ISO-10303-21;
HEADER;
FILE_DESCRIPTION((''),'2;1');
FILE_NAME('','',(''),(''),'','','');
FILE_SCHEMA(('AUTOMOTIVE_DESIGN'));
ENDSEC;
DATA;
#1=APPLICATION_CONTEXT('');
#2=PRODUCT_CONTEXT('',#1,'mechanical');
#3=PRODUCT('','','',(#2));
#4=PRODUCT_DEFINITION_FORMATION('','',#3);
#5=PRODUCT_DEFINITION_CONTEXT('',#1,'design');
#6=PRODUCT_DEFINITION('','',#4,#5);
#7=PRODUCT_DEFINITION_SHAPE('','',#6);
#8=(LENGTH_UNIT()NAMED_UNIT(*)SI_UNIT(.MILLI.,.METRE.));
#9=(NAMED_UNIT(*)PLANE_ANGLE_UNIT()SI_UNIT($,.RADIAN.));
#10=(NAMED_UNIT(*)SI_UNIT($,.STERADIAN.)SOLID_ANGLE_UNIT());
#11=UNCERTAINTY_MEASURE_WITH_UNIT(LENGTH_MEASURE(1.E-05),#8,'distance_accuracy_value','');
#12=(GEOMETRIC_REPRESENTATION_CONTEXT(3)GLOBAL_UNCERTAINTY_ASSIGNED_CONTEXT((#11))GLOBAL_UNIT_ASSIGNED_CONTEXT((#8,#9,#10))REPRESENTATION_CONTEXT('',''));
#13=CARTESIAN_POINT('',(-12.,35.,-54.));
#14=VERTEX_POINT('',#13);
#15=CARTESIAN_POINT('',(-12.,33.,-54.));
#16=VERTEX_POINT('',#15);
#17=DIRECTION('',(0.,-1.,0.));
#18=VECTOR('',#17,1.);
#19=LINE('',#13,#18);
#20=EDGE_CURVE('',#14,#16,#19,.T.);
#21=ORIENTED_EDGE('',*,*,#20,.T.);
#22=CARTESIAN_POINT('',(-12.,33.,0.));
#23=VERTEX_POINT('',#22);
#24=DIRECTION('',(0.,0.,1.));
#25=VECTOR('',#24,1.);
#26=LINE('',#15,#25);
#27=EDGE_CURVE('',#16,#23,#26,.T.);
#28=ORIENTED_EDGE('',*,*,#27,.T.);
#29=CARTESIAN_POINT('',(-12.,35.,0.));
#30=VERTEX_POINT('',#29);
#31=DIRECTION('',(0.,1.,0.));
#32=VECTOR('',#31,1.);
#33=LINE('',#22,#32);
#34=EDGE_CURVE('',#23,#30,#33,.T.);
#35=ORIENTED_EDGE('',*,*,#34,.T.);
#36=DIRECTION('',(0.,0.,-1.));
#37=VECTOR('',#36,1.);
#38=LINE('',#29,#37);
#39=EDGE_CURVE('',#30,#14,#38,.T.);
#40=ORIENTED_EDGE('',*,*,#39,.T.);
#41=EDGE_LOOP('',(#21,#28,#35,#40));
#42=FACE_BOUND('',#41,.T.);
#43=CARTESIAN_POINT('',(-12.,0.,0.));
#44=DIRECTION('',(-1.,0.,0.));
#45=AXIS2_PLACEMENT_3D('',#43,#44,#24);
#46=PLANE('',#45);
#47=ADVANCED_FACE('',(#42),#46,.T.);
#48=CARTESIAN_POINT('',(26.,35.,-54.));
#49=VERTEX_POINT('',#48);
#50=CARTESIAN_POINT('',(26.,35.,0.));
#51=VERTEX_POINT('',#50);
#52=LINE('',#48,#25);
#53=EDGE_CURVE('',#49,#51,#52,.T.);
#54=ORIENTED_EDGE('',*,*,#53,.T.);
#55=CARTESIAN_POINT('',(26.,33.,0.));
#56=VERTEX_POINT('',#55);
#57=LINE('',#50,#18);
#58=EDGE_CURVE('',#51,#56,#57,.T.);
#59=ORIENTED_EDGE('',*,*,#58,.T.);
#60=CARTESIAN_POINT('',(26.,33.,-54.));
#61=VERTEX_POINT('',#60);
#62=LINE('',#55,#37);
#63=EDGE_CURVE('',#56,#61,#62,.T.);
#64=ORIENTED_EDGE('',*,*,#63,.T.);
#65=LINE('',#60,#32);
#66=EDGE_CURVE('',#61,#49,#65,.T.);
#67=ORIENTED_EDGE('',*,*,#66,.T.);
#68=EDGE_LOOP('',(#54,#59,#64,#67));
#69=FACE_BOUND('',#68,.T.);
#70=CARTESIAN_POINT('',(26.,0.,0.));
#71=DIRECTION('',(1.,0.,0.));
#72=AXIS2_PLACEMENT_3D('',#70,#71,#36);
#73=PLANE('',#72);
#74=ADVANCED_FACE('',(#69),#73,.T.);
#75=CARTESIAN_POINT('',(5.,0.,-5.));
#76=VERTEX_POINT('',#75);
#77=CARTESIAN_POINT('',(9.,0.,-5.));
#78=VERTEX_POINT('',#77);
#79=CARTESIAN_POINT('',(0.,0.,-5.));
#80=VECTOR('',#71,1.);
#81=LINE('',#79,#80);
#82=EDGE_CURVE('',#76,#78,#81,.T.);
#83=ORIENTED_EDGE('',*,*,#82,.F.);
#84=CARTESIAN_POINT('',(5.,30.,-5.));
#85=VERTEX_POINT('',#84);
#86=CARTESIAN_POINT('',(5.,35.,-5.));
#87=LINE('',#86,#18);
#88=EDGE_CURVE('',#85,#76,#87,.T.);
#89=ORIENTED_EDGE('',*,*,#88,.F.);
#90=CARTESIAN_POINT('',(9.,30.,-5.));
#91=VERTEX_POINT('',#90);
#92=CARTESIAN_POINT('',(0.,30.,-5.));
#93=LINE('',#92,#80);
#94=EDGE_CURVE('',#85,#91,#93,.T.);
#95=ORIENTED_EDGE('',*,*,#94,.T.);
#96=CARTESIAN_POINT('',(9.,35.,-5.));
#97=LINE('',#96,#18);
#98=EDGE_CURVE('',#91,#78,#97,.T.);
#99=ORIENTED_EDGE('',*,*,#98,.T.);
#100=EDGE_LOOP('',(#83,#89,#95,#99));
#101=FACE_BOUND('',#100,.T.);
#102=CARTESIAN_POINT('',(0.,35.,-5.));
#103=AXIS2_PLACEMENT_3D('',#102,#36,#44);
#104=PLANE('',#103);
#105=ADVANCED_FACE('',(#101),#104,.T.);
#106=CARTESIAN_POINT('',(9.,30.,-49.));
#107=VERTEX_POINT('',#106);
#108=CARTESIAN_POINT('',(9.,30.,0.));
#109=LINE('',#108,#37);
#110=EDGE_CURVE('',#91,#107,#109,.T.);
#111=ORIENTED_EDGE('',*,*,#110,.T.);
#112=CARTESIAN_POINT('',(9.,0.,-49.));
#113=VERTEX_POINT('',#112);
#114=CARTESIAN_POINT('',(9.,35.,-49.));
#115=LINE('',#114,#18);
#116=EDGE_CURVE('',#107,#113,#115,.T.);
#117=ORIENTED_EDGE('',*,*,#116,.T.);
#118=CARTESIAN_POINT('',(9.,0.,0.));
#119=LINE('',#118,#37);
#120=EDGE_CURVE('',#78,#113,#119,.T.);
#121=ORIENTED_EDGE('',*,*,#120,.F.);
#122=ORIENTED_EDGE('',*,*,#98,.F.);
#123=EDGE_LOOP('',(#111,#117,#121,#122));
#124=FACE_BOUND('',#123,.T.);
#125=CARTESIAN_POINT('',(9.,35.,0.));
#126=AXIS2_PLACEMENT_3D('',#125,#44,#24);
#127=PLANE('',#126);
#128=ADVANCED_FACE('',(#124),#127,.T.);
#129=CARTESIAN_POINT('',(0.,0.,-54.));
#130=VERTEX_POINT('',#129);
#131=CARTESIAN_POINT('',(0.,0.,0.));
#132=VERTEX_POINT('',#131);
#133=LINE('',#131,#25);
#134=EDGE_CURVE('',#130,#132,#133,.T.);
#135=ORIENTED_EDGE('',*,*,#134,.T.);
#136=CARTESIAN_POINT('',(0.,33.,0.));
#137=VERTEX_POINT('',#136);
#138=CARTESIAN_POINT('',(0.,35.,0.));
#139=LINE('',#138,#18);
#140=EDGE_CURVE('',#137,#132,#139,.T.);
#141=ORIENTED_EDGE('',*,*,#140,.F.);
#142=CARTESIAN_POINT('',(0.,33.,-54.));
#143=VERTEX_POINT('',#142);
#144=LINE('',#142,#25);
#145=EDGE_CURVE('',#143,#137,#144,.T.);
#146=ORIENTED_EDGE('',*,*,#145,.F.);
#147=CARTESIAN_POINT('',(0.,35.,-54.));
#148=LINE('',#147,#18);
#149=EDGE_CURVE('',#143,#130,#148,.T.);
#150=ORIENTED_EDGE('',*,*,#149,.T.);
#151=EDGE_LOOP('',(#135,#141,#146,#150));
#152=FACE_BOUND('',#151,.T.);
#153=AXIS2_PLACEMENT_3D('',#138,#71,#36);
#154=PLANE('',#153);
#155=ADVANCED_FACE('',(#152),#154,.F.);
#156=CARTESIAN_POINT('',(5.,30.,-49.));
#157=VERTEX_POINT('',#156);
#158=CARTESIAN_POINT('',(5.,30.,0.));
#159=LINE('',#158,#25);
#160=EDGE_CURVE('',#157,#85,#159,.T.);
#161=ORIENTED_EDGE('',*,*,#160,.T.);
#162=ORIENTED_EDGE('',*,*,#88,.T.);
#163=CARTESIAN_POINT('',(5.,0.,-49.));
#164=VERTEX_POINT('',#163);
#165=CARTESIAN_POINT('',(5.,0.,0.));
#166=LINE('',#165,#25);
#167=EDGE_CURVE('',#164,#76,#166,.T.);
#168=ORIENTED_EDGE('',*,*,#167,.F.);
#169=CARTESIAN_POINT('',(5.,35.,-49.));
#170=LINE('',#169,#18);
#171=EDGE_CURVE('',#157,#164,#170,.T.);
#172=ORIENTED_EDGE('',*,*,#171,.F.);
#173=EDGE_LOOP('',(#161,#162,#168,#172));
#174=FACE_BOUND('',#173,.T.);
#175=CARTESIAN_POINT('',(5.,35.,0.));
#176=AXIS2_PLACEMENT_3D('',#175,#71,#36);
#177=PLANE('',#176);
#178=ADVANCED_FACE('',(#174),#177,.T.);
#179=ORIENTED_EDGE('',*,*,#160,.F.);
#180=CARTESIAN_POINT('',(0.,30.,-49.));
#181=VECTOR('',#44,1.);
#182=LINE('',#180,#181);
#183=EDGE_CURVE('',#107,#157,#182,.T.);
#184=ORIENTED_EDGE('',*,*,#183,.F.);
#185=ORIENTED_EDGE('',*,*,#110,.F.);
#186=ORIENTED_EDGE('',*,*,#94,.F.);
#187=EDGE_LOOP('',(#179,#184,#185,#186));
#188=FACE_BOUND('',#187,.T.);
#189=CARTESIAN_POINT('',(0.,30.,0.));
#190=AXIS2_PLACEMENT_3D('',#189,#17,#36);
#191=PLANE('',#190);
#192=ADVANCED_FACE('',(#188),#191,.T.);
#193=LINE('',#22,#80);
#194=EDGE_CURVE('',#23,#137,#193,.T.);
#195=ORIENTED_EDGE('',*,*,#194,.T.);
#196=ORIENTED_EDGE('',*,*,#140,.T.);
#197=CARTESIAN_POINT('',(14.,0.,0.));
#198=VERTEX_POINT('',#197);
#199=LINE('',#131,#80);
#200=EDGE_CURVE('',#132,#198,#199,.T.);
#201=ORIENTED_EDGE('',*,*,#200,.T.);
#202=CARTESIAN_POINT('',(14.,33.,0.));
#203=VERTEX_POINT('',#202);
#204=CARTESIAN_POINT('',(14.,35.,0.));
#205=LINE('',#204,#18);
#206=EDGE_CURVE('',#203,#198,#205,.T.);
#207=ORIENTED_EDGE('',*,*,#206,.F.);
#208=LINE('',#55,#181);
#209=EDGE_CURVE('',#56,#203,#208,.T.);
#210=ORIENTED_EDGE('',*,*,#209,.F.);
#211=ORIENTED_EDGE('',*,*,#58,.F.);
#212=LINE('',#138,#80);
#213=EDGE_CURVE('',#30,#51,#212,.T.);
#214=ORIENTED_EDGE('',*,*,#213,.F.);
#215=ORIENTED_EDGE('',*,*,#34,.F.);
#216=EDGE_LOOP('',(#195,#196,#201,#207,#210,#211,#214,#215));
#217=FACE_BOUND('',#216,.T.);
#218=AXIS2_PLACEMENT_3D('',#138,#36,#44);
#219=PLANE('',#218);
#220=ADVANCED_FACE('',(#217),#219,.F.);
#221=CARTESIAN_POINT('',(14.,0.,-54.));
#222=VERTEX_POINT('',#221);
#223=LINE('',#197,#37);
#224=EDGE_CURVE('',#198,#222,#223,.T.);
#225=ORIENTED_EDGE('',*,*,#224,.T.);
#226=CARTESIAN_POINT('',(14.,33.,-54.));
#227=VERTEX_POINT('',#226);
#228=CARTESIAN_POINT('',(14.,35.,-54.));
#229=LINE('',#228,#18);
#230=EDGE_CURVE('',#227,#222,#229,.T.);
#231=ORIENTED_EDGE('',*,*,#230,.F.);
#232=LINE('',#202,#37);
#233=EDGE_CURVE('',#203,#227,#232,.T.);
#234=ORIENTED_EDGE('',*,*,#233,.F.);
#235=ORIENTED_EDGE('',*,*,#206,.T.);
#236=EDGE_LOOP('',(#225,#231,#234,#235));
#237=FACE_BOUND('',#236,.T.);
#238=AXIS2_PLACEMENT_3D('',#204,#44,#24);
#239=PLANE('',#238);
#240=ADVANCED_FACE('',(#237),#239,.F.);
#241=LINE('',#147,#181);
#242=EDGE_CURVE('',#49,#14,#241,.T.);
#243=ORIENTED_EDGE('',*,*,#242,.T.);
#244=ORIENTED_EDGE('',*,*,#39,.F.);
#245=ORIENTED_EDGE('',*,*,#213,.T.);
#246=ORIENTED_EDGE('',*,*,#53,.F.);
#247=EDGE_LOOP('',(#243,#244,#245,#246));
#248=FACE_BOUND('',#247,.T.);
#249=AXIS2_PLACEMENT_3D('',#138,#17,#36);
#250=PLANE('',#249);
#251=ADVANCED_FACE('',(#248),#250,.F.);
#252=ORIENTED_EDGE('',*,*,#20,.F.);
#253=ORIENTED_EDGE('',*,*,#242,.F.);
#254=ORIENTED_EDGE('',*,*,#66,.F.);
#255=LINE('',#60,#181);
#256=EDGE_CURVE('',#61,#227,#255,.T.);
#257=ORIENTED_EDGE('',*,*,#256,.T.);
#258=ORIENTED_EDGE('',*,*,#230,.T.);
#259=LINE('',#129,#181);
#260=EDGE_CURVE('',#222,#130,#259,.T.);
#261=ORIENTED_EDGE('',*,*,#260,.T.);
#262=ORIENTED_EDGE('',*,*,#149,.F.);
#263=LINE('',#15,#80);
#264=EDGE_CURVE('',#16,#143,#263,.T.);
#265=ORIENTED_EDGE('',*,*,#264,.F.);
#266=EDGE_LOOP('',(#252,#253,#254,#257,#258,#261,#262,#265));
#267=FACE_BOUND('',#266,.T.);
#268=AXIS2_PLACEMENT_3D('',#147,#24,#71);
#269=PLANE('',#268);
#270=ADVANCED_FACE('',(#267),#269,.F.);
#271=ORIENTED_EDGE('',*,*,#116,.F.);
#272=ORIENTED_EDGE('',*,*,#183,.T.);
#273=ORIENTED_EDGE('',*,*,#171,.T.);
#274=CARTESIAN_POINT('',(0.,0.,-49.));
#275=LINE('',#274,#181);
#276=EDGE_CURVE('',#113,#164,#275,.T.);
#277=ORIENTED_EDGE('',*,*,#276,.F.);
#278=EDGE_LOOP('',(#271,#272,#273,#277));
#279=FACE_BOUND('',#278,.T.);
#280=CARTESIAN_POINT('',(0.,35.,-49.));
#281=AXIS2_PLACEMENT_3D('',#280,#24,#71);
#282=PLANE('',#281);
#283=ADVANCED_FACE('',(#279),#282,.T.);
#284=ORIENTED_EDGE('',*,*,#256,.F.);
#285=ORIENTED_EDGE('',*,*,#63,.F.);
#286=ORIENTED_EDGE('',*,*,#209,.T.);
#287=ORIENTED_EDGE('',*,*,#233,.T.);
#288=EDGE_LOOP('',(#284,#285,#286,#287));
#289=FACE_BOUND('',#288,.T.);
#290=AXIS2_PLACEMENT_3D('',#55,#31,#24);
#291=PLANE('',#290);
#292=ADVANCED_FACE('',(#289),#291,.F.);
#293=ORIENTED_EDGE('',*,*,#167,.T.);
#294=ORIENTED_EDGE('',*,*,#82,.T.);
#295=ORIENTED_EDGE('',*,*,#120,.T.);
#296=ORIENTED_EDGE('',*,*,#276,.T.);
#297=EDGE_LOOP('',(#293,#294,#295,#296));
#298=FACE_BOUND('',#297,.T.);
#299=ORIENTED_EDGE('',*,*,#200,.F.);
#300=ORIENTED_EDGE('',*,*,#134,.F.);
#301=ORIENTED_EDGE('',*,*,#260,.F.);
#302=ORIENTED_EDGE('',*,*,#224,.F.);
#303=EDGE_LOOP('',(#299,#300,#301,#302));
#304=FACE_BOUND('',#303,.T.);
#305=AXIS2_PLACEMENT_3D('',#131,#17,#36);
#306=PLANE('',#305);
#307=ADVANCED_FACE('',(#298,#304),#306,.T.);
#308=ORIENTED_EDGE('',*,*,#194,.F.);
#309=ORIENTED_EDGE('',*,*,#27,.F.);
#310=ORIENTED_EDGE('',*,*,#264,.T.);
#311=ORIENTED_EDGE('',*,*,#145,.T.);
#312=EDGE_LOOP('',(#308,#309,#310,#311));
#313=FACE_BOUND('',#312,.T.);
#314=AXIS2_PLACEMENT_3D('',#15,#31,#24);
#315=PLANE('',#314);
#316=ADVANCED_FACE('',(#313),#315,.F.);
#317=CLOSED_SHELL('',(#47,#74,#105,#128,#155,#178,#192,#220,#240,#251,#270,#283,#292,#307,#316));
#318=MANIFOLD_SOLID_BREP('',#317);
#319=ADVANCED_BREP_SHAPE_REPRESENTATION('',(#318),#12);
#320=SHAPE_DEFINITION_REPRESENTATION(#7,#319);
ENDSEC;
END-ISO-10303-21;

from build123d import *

# Parameters (mm, degrees)
SKETCH1_W           = 14
SKETCH1_H           = 54
BOSS_EXTRUDE2_DEPTH = 35
SHELL2_T            = -5
SKETCH2_W           = 54
SKETCH2_H           = 2
BOSS_EXTRUDE3_DEPTH = 12
SKETCH3_W           = 54
SKETCH3_H           = 2
BOSS_EXTRUDE4_DEPTH = 12


with BuildPart() as part:
    # Sketch1 → Boss-Extrude2 (new body)
    with BuildSketch(Plane(origin=(0, 0, 0), x_dir=(1, 0, 0), z_dir=(0, 1, 0))):
        with Locations((7, 27)):
            Rectangle(SKETCH1_W, SKETCH1_H)
    extrude(amount=BOSS_EXTRUDE2_DEPTH)

    # Shell2
    shell2_openings = [part.faces().sort_by_distance(p)[0] for p in [
        (7, 0, -27),
    ]]
    offset(amount=SHELL2_T, openings=shell2_openings, kind=Kind.INTERSECTION)

    # Sketch2 → Boss-Extrude3 (add)
    with BuildSketch(Plane.ZY):
        with Locations((-27, 34)):
            Rectangle(SKETCH2_W, SKETCH2_H)
    extrude(amount=BOSS_EXTRUDE3_DEPTH)

    # Sketch3 → Boss-Extrude4 (add)
    with BuildSketch(Plane(origin=(14, 0, 0), x_dir=(0, 0, -1), z_dir=(1, 0, 0))):
        with Locations((27, 34)):
            Rectangle(SKETCH3_W, SKETCH3_H)
    extrude(amount=BOSS_EXTRUDE4_DEPTH)


solid = part.part
